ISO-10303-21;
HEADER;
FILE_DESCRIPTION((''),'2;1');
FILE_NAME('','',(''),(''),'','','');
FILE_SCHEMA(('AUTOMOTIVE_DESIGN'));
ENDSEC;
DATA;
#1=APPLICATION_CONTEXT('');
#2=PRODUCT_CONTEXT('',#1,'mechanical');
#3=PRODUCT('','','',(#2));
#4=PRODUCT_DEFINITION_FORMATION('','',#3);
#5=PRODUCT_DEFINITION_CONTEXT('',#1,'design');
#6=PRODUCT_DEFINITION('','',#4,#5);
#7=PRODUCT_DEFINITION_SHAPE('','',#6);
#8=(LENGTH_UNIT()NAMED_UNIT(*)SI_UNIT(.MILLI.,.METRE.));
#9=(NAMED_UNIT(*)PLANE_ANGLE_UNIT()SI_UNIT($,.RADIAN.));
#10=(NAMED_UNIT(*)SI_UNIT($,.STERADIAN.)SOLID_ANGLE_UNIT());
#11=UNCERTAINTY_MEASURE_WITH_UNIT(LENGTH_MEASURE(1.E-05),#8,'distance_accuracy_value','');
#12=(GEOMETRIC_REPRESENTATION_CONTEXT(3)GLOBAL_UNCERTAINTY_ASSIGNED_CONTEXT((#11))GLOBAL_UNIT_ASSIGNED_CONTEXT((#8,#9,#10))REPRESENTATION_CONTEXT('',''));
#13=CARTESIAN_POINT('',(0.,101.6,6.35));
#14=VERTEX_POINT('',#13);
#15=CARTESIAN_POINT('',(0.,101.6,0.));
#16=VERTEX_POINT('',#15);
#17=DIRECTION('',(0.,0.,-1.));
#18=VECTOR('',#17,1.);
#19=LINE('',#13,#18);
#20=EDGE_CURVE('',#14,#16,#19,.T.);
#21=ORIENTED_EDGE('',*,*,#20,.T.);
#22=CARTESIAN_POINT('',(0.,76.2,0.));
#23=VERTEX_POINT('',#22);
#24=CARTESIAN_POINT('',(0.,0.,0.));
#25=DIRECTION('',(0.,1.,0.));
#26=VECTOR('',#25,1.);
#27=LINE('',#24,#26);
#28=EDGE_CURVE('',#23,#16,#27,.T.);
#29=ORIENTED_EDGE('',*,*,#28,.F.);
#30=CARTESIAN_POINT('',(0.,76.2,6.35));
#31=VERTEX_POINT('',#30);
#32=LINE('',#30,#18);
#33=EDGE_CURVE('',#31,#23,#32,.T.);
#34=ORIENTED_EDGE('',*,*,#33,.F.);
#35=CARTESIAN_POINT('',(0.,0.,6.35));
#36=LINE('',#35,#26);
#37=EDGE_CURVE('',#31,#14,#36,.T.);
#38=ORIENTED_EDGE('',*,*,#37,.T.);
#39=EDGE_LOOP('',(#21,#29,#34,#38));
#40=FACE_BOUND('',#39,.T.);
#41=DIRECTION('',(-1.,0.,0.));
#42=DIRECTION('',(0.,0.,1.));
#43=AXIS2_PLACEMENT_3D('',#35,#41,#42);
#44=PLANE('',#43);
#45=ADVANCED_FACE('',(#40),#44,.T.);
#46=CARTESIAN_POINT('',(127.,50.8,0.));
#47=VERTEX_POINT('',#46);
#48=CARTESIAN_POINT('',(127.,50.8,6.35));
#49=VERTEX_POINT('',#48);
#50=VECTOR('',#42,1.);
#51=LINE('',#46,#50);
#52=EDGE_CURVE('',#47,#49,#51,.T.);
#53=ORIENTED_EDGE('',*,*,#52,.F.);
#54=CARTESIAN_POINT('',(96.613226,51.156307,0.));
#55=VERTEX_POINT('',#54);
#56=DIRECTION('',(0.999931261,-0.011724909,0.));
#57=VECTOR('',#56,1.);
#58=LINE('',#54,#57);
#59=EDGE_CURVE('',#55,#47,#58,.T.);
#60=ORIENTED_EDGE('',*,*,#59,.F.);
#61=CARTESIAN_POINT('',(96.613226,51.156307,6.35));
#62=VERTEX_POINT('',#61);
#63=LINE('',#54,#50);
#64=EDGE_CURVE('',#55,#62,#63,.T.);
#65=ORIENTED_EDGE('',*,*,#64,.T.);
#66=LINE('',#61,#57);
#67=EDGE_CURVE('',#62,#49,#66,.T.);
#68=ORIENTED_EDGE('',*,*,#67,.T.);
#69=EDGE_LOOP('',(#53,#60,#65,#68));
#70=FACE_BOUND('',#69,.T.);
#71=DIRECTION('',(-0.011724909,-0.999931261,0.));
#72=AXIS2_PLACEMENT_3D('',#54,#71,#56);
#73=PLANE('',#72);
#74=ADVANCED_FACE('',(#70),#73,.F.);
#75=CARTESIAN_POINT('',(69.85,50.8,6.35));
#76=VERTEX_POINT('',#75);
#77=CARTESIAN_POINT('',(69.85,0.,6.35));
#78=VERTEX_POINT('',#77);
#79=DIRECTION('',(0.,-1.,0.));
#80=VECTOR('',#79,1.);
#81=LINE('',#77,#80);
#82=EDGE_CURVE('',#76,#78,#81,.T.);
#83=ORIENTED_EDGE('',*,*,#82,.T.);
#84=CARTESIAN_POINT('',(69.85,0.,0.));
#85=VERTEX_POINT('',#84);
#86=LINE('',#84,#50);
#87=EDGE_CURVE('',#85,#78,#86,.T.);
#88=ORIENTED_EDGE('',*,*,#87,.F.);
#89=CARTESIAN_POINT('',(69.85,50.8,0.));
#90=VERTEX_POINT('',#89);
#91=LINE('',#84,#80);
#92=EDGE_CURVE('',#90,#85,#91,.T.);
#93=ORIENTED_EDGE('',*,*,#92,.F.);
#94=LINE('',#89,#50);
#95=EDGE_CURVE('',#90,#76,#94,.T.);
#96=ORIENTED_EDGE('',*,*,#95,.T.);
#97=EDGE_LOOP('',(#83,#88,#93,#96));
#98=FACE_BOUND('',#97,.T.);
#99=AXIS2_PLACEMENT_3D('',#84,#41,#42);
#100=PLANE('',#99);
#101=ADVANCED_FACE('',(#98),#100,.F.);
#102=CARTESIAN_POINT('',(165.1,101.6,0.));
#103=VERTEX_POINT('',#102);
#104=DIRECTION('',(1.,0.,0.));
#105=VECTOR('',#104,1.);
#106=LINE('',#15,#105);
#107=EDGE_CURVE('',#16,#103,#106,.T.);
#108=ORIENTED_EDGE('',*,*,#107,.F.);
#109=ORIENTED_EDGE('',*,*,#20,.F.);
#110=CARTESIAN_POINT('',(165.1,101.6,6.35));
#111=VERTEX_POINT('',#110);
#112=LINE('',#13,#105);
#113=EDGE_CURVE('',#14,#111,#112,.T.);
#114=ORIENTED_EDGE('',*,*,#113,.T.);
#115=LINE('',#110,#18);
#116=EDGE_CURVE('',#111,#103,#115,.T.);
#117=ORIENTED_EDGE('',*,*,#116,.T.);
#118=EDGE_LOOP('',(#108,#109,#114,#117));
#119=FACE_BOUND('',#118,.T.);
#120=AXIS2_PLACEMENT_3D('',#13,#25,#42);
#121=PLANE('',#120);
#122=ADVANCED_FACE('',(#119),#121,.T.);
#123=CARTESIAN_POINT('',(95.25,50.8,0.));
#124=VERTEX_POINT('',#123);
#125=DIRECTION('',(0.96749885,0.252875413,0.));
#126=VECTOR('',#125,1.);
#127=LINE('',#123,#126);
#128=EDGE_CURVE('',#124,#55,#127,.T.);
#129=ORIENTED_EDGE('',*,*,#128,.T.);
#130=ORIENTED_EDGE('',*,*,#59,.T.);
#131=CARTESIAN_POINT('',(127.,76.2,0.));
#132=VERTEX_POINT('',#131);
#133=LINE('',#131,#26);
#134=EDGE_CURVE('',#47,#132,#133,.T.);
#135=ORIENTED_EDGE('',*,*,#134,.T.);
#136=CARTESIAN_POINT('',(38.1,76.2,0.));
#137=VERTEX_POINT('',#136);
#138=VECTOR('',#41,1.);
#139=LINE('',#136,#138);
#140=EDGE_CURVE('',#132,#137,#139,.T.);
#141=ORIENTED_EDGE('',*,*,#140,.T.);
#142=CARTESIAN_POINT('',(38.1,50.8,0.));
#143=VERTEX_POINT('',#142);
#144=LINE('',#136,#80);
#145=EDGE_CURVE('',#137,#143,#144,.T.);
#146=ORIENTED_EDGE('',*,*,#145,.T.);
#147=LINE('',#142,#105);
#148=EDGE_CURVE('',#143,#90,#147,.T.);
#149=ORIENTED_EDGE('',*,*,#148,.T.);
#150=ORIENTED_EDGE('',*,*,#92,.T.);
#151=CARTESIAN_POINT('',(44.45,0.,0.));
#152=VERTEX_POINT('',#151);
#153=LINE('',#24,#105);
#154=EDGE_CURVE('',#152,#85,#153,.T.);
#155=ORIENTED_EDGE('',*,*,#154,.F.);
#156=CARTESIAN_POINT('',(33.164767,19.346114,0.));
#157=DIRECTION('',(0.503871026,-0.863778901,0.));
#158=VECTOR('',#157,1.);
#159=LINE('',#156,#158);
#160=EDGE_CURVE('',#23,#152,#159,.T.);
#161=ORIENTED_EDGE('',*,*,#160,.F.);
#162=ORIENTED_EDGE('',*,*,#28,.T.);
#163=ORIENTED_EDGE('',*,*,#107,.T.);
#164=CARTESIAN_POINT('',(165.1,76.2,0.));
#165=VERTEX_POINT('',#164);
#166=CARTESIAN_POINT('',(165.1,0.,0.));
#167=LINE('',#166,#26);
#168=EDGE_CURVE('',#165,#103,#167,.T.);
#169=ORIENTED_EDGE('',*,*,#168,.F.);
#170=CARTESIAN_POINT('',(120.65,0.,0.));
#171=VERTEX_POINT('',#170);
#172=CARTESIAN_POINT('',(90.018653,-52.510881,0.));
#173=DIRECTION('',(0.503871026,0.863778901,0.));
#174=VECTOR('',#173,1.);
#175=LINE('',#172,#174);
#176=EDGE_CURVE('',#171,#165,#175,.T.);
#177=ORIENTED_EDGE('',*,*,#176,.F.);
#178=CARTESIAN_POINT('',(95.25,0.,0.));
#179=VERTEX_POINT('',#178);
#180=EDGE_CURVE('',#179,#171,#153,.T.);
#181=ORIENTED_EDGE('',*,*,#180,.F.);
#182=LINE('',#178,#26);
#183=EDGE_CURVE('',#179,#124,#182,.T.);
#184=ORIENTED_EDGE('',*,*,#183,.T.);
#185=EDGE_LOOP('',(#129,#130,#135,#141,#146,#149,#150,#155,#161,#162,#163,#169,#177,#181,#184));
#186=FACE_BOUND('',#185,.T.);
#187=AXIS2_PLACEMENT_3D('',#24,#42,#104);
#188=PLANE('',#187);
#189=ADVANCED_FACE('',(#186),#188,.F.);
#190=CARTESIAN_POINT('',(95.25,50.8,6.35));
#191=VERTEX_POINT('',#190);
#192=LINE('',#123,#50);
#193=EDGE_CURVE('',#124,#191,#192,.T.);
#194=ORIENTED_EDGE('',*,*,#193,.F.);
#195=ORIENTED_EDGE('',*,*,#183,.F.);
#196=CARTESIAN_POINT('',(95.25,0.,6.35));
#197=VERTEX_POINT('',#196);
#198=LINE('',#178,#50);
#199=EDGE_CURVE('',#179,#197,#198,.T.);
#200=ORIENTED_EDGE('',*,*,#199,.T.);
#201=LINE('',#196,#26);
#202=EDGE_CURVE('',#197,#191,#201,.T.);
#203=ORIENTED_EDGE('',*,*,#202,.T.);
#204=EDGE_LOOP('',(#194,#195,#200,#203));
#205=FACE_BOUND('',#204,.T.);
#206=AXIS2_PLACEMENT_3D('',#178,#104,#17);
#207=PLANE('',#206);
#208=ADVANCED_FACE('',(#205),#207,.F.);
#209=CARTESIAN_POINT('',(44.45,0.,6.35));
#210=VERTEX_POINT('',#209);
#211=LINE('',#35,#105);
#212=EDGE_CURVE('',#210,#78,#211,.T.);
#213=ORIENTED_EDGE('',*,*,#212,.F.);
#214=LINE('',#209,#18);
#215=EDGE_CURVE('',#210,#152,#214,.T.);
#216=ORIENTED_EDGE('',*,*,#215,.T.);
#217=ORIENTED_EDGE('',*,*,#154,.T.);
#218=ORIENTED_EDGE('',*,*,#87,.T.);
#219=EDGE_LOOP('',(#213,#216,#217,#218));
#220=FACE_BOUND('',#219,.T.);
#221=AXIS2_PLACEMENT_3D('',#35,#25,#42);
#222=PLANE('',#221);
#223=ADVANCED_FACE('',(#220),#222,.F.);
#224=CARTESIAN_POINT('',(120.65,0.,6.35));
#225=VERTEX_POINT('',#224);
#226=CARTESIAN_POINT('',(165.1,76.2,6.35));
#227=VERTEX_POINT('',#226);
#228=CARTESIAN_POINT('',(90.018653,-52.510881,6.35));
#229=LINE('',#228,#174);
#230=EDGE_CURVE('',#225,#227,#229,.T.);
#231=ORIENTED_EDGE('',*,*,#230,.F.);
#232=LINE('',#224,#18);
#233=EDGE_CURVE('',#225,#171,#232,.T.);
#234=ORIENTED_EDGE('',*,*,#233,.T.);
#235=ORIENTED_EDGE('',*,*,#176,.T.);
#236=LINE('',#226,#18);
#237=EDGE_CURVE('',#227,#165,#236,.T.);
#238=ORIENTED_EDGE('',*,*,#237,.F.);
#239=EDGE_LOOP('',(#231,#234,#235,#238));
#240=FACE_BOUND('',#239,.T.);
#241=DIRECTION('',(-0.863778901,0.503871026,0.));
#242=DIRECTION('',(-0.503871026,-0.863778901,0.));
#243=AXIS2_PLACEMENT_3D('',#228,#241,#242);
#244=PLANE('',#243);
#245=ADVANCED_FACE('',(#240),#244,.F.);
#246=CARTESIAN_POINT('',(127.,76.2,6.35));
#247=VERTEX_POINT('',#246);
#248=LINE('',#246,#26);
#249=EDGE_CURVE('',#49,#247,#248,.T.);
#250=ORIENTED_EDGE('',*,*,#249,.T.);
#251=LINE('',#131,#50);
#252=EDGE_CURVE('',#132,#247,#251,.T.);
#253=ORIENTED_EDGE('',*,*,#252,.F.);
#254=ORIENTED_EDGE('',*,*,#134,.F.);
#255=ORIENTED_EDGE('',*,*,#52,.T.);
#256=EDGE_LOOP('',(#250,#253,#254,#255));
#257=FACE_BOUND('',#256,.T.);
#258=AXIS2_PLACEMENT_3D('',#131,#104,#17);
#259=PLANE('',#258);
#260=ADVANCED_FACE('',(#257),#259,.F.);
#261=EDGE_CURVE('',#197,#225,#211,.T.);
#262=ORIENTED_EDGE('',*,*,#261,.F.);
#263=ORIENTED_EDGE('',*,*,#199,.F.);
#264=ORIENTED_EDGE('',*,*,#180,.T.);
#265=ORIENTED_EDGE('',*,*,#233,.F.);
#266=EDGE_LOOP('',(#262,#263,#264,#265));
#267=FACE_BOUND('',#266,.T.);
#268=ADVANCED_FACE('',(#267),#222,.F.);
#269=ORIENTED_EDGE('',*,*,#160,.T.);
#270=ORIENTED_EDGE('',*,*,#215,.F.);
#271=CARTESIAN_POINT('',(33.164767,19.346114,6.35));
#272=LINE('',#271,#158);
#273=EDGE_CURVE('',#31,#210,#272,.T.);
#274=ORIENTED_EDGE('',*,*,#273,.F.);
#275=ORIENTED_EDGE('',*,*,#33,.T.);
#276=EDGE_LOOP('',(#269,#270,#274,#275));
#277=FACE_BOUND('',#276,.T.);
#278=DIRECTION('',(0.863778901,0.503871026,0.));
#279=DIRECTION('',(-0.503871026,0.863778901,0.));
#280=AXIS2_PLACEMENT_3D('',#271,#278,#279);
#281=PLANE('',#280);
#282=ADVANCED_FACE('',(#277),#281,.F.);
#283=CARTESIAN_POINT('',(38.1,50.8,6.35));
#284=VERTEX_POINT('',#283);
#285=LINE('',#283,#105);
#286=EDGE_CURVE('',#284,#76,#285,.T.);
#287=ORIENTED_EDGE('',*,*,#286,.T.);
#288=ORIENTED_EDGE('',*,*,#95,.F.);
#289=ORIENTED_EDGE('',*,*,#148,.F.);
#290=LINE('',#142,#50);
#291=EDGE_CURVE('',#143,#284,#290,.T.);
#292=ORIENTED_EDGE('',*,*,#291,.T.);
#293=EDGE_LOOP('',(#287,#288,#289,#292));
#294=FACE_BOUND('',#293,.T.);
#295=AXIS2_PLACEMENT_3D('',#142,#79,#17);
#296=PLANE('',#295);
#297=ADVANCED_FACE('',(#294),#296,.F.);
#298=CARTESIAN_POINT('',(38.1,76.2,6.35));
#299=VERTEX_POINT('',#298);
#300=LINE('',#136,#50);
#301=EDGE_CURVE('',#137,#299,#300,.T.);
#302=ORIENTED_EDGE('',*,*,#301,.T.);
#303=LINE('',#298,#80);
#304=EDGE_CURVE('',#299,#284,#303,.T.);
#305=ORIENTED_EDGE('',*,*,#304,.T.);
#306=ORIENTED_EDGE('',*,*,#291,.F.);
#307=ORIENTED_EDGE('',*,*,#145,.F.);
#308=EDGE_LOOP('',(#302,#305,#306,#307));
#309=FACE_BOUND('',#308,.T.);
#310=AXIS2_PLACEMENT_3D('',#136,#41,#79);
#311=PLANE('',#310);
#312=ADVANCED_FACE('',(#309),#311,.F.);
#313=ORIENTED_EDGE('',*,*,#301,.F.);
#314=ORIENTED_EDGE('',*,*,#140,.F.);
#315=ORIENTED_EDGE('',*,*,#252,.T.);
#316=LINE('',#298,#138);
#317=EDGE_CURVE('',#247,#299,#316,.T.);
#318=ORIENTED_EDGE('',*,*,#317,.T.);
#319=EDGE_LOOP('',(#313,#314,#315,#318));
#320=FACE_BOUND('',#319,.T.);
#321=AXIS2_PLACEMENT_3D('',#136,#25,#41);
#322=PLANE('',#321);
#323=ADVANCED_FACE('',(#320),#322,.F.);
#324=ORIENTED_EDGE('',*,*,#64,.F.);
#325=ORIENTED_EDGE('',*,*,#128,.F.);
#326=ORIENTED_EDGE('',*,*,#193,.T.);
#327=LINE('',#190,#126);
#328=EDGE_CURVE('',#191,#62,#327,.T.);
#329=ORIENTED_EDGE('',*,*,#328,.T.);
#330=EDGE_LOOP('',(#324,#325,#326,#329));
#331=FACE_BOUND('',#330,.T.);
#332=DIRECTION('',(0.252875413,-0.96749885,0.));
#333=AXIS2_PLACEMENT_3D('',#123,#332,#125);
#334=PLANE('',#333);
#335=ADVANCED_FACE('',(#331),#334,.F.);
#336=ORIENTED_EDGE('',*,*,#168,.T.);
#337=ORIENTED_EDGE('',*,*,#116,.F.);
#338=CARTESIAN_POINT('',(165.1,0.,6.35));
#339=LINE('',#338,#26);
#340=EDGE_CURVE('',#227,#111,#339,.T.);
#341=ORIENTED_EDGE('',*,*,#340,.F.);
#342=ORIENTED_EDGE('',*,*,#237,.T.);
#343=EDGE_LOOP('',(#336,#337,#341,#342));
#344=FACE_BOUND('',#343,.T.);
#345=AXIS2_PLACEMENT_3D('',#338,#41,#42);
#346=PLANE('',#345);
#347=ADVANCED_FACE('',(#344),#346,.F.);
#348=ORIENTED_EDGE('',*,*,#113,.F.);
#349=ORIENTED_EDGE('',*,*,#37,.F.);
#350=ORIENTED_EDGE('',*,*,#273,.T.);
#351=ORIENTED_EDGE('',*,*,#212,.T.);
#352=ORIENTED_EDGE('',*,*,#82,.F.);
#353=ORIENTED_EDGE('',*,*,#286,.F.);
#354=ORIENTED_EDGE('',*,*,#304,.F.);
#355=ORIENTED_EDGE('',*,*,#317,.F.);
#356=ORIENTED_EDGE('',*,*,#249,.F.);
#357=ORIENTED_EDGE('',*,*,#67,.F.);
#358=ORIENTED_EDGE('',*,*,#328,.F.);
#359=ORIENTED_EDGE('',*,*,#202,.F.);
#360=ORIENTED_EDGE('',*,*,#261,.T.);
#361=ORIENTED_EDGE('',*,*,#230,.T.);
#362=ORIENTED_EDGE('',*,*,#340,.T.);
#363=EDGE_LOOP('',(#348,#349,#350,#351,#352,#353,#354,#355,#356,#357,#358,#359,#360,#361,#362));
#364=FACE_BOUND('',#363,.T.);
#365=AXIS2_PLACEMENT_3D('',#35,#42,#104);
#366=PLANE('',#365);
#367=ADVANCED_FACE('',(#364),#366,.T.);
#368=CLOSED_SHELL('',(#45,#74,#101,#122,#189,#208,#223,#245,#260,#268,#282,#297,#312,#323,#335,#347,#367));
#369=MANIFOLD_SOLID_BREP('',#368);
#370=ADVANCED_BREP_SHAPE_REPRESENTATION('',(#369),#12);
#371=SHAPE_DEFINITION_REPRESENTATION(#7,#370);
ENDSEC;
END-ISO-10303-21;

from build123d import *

# Parameters (mm, degrees)
BOSS_EXTRUDE1_DEPTH = 6.35
CUT_EXTRUDE1_DEPTH  = 6.35


with BuildPart() as part:
    # Sketch1 → Boss-Extrude1 (new body)
    with BuildSketch(Plane.XY):
        Polygon((0, 101.6), (0, 76.2), (44.45, 0), (120.65, 0), (165.1, 76.2), (165.1, 101.6), align=None)
    extrude(amount=BOSS_EXTRUDE1_DEPTH)

    # Sketch2 → Cut-Extrude1 (cut)
    with BuildSketch(Plane.XY.offset(6.35)):
        Polygon((38.1, 76.2), (127, 76.2), (127, 50.8), (96.613225755, 51.156306651), (95.25, 50.8), (95.25, 0), (69.85, 0), (69.85, 50.8), (38.1, 50.8), align=None)
    extrude(amount=-CUT_EXTRUDE1_DEPTH, mode=Mode.SUBTRACT)


solid = part.part
